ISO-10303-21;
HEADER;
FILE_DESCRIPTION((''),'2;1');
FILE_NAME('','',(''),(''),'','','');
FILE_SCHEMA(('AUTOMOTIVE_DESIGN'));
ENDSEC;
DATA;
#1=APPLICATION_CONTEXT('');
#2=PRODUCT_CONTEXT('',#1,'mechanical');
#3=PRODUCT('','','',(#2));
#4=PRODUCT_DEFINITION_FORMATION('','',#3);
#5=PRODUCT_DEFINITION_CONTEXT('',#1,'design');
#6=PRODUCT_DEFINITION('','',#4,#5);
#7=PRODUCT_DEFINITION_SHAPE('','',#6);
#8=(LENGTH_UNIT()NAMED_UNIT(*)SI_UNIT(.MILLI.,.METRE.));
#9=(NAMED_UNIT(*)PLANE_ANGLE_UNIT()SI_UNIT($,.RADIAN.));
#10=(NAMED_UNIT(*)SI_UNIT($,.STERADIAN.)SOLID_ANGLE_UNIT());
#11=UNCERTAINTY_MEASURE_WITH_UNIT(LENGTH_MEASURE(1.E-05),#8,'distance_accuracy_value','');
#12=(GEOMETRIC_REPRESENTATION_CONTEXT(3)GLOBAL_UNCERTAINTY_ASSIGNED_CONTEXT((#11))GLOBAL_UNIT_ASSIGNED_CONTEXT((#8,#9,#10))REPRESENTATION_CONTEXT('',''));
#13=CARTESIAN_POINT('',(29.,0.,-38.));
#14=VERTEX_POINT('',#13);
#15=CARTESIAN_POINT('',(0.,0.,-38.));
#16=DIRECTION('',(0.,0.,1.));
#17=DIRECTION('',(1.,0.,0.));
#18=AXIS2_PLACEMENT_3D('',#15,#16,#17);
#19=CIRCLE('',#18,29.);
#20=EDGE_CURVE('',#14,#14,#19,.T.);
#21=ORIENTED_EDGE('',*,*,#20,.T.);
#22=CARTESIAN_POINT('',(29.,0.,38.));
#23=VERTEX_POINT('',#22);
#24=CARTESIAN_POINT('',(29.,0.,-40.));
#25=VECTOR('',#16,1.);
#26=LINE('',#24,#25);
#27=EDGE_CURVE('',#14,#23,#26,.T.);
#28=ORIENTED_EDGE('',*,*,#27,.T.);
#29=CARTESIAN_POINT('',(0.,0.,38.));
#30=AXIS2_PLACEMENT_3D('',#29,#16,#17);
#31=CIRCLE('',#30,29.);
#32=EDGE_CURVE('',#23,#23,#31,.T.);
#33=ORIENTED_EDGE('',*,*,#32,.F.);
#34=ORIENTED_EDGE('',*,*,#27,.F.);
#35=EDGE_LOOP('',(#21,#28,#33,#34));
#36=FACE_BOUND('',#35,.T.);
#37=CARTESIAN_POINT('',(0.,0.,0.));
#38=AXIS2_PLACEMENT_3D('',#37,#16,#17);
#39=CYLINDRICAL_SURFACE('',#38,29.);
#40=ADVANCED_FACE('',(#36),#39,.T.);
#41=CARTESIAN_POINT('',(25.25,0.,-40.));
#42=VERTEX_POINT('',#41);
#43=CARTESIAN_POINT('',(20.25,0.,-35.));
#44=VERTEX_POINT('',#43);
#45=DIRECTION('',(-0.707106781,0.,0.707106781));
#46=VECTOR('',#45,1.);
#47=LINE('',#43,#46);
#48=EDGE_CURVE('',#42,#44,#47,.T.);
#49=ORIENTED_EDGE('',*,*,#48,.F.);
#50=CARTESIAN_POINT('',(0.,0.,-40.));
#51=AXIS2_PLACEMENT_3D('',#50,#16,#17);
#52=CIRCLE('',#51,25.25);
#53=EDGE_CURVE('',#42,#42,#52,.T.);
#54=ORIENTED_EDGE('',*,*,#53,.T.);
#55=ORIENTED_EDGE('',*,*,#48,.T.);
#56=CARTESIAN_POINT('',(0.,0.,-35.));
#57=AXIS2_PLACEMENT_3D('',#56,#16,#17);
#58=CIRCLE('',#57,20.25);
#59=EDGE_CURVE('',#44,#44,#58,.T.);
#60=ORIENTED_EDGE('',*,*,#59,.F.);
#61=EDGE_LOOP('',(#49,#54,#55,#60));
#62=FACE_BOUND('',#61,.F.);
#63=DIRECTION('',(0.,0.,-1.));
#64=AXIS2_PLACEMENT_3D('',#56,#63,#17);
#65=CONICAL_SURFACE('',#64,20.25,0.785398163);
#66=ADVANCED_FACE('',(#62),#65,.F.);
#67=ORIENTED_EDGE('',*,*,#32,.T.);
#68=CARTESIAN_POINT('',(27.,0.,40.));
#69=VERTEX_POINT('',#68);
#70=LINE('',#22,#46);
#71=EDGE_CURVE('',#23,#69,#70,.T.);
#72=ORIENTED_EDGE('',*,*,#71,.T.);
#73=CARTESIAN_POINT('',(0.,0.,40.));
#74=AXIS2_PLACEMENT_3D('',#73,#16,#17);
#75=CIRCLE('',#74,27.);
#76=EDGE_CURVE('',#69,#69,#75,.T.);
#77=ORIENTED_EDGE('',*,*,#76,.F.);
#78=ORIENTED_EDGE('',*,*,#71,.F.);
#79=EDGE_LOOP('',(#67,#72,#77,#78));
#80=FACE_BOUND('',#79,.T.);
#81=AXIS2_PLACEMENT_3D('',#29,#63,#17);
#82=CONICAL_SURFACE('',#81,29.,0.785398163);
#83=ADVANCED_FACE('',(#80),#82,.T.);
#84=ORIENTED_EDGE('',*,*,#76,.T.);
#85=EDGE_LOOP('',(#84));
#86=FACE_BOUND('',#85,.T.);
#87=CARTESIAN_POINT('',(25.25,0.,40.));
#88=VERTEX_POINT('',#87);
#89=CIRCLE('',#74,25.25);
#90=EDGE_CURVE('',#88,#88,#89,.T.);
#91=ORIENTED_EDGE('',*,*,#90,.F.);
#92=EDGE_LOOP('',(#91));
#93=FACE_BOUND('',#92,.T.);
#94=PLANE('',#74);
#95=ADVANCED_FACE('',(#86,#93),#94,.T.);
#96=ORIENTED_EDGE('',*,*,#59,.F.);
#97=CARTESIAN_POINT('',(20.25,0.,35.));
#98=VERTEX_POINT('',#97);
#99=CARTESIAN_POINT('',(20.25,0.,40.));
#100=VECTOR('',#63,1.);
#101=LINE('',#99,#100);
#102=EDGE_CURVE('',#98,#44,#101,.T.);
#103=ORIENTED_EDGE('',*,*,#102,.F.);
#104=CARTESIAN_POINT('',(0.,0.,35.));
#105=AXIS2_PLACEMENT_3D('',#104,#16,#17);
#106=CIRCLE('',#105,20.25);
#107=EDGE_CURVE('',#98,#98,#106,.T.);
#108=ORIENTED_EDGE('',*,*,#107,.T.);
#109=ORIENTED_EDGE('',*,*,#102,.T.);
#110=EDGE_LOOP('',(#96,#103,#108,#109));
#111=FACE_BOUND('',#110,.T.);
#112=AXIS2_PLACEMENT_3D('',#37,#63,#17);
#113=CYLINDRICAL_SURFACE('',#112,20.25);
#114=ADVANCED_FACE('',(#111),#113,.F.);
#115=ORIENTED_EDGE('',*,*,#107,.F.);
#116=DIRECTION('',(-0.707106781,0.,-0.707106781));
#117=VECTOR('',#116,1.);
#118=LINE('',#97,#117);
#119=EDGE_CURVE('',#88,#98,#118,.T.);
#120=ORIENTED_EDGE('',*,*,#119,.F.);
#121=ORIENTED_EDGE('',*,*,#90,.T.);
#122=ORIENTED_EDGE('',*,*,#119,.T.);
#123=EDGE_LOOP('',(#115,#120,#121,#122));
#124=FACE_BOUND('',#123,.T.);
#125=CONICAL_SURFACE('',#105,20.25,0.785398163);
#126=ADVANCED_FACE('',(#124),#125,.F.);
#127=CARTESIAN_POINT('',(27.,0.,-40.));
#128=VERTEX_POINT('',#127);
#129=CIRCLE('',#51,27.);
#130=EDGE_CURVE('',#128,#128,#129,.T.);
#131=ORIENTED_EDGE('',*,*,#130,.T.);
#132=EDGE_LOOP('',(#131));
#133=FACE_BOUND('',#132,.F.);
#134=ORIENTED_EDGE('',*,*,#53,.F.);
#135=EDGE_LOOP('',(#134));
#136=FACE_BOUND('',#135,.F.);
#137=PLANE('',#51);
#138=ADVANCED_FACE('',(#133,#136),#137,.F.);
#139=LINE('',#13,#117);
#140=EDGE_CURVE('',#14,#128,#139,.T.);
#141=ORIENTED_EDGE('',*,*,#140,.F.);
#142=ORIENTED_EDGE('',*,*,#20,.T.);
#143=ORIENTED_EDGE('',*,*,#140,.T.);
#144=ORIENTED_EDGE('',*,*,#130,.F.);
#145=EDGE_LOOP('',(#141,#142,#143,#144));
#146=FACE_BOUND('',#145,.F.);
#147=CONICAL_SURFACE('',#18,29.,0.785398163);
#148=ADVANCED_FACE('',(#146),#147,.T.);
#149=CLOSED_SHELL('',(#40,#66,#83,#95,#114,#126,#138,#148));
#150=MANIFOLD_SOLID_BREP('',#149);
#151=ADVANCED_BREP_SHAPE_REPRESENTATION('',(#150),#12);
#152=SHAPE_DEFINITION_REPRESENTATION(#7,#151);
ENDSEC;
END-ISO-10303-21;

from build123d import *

# Parameters (mm, degrees)
F0_R     = 29
F0_R_2   = 20.25
F1_DEPTH = 40
F2_SIZE  = 5
F3_SIZE  = 2
F4_SIZE  = 2
F5_SIZE  = 5


with BuildPart() as f1:
    # F0 (on Top) → F1 (new body, symmetric)
    with BuildSketch(Plane.XY):
        Circle(F0_R)
        Circle(F0_R_2, mode=Mode.SUBTRACT)
    extrude(amount=F1_DEPTH, both=True)

    # F2
    f2_edges = [f1.edges().sort_by_distance(p)[0] for p in [
        (-20.25, 0, 40),
    ]]
    chamfer(f2_edges, length=F2_SIZE)

    # F3
    f3_edges = [f1.edges().sort_by_distance(p)[0] for p in [
        (-29, 0, -40),
    ]]
    chamfer(f3_edges, length=F3_SIZE)

    # F4
    f4_edges = [f1.edges().sort_by_distance(p)[0] for p in [
        (-29, 0, 40),
    ]]
    chamfer(f4_edges, length=F4_SIZE)

    # F5
    f5_edges = [f1.edges().sort_by_distance(p)[0] for p in [
        (-20.25, 0, -40),
    ]]
    chamfer(f5_edges, length=F5_SIZE)


solid = f1.part
